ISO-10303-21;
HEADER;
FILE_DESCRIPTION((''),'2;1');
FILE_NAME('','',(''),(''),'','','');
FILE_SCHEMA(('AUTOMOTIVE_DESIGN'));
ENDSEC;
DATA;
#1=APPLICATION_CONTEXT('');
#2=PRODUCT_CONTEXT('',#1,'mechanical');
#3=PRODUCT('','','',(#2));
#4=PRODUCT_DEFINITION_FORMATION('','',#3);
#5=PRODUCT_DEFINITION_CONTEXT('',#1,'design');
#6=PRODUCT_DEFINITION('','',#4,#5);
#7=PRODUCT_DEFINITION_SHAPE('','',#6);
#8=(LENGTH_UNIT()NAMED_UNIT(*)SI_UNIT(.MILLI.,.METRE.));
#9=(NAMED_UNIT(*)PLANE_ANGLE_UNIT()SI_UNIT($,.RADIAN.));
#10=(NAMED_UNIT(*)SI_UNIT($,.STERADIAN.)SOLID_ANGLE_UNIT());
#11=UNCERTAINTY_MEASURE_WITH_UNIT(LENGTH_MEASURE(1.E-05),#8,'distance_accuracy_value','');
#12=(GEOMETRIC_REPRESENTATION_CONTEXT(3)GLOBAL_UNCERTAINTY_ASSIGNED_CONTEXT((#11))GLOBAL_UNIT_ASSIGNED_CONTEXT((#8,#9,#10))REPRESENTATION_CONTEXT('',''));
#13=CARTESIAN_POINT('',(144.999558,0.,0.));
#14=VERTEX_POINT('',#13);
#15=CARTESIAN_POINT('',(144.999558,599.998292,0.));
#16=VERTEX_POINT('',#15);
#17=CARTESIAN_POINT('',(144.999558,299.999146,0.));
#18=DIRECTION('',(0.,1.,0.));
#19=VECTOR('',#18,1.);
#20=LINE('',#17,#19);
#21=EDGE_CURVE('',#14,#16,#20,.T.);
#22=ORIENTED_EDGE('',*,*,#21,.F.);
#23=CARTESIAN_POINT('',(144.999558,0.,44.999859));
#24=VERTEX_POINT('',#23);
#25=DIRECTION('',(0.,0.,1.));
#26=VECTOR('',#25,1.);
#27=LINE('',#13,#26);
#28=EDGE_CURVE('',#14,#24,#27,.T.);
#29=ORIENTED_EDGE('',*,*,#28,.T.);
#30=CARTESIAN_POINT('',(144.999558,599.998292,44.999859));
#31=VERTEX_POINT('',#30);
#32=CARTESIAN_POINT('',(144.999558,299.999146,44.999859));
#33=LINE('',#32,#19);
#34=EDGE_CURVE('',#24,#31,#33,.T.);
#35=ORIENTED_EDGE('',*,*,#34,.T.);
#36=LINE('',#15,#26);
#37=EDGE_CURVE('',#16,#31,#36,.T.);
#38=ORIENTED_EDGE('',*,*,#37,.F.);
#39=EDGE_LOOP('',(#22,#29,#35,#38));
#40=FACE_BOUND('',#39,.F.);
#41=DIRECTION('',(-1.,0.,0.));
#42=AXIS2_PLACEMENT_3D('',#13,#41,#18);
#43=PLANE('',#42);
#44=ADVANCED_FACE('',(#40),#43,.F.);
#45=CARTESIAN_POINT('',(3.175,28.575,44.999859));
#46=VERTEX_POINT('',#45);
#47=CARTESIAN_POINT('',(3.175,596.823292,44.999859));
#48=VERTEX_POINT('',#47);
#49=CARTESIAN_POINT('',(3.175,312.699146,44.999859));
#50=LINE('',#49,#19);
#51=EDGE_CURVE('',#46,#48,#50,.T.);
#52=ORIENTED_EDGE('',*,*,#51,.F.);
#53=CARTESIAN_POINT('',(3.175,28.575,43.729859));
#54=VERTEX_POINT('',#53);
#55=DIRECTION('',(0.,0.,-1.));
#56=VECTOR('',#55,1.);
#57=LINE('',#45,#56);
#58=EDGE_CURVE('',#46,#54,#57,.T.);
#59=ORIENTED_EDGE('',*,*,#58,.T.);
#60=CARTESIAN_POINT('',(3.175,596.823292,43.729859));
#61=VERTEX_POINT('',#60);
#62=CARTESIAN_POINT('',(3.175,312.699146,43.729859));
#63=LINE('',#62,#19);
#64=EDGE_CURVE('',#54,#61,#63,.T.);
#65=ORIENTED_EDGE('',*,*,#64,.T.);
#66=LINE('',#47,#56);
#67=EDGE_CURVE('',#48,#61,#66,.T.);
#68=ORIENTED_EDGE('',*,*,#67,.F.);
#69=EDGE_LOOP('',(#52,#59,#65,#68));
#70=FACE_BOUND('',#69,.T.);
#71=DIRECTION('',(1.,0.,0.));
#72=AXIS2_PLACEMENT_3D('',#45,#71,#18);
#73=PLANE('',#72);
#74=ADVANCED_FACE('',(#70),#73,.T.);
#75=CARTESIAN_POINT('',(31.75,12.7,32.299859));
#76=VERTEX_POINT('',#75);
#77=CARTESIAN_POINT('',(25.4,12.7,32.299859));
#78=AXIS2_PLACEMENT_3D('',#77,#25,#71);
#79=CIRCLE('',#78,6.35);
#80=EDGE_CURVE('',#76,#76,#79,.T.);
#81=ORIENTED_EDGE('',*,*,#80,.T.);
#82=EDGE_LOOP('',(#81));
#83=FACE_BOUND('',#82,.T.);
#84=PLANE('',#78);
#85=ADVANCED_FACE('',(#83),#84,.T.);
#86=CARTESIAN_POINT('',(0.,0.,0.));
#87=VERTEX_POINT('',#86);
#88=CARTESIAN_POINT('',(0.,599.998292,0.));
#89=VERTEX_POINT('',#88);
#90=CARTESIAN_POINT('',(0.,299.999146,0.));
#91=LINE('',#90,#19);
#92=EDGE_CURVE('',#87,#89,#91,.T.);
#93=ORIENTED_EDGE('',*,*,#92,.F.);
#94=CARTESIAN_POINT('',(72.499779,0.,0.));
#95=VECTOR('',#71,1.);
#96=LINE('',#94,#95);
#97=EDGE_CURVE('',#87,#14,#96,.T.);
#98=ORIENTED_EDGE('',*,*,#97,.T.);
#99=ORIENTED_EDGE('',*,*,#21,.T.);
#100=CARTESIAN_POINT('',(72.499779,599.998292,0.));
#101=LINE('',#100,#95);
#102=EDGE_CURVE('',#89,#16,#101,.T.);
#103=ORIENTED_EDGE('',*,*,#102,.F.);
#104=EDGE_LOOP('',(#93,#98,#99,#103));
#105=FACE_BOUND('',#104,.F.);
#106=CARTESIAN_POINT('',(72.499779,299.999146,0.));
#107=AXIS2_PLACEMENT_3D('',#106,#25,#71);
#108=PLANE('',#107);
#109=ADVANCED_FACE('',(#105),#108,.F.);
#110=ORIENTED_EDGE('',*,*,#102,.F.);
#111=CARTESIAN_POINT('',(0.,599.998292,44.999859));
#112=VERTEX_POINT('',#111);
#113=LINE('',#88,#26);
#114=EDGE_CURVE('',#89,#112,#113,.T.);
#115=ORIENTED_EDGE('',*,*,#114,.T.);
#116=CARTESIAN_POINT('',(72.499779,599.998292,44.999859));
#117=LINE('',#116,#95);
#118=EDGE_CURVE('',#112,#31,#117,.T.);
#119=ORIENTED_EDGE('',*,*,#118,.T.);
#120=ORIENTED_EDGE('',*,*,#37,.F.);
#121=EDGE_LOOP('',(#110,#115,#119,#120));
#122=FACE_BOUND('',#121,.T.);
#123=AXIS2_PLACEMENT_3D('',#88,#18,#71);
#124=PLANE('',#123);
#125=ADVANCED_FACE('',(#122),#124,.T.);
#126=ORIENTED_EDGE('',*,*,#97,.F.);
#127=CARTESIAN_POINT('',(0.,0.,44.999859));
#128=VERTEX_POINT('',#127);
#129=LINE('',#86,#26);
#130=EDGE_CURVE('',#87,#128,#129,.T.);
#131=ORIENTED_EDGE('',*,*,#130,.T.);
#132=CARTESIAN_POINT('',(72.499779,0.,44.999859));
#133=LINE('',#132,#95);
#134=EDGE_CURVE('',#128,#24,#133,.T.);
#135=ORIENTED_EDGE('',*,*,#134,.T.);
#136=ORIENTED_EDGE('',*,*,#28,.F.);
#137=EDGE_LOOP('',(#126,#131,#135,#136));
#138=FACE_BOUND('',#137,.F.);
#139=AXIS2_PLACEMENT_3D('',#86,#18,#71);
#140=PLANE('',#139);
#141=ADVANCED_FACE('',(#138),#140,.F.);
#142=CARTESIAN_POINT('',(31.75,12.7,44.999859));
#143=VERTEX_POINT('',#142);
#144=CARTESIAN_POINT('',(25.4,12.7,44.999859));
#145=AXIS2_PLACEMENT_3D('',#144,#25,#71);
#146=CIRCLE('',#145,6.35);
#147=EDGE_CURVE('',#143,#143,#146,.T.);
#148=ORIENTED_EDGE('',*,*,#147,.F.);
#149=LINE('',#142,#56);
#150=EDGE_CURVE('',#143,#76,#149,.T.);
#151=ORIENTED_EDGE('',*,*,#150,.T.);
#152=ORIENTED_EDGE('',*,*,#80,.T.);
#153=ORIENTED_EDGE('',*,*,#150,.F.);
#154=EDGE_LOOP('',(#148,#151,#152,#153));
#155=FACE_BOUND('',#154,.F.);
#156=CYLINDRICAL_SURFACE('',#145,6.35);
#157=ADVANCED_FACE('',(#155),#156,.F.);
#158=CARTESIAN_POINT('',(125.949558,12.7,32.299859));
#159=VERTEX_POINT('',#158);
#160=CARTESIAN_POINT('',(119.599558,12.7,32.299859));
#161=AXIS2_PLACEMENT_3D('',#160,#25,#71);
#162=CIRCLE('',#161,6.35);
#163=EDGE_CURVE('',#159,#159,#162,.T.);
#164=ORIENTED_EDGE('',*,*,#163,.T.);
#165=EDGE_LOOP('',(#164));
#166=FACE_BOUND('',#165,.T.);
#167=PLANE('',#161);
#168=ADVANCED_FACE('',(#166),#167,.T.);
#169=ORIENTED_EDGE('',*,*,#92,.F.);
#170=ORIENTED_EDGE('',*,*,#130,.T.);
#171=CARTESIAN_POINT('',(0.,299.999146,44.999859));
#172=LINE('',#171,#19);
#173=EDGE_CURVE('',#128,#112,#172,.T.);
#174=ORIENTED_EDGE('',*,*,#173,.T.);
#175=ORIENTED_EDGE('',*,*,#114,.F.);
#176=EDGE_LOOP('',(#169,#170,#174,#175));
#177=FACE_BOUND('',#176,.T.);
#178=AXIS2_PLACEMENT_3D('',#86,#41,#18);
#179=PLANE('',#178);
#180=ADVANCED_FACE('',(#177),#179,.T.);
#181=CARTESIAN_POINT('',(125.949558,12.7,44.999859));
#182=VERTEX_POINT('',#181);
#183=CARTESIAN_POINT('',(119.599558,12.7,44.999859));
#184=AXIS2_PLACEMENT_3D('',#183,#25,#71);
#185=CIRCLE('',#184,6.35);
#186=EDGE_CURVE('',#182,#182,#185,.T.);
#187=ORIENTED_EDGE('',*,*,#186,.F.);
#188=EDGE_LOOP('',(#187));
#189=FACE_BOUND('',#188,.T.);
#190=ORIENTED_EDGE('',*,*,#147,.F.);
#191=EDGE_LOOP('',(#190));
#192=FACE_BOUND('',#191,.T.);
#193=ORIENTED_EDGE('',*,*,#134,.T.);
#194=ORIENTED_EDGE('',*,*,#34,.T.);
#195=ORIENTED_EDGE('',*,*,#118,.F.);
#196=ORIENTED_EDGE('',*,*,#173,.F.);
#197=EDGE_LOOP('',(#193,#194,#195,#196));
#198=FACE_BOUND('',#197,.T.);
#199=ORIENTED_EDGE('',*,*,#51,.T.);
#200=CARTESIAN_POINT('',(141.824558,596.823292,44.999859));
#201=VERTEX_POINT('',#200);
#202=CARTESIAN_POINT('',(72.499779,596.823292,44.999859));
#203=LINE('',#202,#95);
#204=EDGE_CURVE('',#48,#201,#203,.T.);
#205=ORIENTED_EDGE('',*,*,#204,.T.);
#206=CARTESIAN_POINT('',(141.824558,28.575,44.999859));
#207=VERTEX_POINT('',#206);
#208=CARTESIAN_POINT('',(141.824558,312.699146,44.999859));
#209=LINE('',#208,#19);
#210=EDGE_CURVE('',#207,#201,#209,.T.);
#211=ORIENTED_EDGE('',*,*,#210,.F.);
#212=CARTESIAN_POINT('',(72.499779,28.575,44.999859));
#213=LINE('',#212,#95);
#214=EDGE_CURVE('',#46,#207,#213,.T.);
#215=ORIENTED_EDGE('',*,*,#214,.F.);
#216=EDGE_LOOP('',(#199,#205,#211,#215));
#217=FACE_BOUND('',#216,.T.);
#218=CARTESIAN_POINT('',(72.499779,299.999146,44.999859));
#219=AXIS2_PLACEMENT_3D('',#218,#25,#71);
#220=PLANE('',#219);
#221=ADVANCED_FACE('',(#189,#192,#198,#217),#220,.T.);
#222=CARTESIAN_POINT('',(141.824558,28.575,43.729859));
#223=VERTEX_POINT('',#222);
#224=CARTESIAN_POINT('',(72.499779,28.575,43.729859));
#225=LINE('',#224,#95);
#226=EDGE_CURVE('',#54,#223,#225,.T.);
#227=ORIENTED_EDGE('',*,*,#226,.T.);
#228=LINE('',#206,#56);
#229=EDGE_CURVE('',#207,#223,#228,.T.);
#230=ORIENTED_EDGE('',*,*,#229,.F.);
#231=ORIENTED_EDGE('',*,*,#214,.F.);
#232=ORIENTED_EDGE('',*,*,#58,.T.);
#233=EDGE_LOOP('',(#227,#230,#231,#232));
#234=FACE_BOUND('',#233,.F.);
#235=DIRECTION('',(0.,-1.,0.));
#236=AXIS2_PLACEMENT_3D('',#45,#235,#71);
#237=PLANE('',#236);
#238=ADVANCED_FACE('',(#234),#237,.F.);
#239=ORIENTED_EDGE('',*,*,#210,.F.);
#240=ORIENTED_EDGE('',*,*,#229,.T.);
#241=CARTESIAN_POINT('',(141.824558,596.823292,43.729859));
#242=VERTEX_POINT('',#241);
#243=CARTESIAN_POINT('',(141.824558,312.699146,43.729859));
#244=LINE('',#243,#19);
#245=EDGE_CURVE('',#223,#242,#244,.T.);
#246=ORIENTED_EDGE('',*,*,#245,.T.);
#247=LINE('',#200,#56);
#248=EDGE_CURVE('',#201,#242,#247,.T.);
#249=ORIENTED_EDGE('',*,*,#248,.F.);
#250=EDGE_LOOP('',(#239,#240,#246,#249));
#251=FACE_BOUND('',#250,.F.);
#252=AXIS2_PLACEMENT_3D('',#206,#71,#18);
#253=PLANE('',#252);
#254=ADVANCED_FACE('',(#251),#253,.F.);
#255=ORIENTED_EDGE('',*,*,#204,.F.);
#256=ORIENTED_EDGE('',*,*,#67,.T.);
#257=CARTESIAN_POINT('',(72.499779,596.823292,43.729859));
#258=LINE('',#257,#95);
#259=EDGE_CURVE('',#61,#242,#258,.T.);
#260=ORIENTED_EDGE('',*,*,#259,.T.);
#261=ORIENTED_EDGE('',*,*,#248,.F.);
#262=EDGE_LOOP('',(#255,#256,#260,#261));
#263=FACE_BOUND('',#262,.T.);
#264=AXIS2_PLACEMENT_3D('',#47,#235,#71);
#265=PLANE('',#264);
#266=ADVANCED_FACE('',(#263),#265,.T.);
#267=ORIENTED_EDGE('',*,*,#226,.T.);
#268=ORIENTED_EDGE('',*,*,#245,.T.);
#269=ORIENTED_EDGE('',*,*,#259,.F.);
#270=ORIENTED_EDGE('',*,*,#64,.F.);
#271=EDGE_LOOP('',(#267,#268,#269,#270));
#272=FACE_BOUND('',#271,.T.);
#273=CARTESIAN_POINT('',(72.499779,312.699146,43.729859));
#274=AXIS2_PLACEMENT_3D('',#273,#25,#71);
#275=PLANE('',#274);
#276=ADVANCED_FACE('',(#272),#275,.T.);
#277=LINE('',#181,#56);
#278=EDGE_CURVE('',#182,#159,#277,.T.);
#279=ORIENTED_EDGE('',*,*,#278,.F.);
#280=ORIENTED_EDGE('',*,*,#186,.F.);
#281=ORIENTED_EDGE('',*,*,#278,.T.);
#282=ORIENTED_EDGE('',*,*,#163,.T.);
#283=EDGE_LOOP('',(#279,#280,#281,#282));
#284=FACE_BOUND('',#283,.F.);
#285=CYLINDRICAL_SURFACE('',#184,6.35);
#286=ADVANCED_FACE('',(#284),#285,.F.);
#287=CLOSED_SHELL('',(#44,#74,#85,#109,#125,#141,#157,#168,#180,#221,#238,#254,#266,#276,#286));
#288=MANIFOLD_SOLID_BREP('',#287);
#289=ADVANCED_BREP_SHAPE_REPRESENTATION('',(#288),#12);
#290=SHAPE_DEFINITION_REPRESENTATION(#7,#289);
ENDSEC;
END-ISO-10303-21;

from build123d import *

# Parameters (mm, degrees)
F0_W     = 144.999558
F0_H     = 599.998292
F1_DEPTH = 44.999859
F2_W     = 138.649558
F2_H     = 568.248292
F3_DEPTH = 1.27
F4_R     = 6.35
F5_DEPTH = 12.7


with BuildPart() as f1:
    # F0 (on Top) → F1 (new body)
    with BuildSketch(Plane.XY):
        with Locations((72.499779, 299.999146)):
            Rectangle(F0_W, F0_H)
    extrude(amount=F1_DEPTH)

    # F2 (on face) → F3 (cut)
    with BuildSketch(Plane.XY.offset(44.999859)):
        with Locations((72.499779, 312.699146)):
            Rectangle(F2_W, F2_H)
    extrude(amount=-F3_DEPTH, mode=Mode.SUBTRACT)

    # F4 (on face) → F5 (cut)
    with BuildSketch(Plane.XY.offset(44.999859)):
        with Locations((25.4, 12.7)):
            Circle(F4_R)
        with Locations((119.599558, 12.7)):
            Circle(F4_R)
    extrude(amount=-F5_DEPTH, mode=Mode.SUBTRACT)


solid = f1.part
